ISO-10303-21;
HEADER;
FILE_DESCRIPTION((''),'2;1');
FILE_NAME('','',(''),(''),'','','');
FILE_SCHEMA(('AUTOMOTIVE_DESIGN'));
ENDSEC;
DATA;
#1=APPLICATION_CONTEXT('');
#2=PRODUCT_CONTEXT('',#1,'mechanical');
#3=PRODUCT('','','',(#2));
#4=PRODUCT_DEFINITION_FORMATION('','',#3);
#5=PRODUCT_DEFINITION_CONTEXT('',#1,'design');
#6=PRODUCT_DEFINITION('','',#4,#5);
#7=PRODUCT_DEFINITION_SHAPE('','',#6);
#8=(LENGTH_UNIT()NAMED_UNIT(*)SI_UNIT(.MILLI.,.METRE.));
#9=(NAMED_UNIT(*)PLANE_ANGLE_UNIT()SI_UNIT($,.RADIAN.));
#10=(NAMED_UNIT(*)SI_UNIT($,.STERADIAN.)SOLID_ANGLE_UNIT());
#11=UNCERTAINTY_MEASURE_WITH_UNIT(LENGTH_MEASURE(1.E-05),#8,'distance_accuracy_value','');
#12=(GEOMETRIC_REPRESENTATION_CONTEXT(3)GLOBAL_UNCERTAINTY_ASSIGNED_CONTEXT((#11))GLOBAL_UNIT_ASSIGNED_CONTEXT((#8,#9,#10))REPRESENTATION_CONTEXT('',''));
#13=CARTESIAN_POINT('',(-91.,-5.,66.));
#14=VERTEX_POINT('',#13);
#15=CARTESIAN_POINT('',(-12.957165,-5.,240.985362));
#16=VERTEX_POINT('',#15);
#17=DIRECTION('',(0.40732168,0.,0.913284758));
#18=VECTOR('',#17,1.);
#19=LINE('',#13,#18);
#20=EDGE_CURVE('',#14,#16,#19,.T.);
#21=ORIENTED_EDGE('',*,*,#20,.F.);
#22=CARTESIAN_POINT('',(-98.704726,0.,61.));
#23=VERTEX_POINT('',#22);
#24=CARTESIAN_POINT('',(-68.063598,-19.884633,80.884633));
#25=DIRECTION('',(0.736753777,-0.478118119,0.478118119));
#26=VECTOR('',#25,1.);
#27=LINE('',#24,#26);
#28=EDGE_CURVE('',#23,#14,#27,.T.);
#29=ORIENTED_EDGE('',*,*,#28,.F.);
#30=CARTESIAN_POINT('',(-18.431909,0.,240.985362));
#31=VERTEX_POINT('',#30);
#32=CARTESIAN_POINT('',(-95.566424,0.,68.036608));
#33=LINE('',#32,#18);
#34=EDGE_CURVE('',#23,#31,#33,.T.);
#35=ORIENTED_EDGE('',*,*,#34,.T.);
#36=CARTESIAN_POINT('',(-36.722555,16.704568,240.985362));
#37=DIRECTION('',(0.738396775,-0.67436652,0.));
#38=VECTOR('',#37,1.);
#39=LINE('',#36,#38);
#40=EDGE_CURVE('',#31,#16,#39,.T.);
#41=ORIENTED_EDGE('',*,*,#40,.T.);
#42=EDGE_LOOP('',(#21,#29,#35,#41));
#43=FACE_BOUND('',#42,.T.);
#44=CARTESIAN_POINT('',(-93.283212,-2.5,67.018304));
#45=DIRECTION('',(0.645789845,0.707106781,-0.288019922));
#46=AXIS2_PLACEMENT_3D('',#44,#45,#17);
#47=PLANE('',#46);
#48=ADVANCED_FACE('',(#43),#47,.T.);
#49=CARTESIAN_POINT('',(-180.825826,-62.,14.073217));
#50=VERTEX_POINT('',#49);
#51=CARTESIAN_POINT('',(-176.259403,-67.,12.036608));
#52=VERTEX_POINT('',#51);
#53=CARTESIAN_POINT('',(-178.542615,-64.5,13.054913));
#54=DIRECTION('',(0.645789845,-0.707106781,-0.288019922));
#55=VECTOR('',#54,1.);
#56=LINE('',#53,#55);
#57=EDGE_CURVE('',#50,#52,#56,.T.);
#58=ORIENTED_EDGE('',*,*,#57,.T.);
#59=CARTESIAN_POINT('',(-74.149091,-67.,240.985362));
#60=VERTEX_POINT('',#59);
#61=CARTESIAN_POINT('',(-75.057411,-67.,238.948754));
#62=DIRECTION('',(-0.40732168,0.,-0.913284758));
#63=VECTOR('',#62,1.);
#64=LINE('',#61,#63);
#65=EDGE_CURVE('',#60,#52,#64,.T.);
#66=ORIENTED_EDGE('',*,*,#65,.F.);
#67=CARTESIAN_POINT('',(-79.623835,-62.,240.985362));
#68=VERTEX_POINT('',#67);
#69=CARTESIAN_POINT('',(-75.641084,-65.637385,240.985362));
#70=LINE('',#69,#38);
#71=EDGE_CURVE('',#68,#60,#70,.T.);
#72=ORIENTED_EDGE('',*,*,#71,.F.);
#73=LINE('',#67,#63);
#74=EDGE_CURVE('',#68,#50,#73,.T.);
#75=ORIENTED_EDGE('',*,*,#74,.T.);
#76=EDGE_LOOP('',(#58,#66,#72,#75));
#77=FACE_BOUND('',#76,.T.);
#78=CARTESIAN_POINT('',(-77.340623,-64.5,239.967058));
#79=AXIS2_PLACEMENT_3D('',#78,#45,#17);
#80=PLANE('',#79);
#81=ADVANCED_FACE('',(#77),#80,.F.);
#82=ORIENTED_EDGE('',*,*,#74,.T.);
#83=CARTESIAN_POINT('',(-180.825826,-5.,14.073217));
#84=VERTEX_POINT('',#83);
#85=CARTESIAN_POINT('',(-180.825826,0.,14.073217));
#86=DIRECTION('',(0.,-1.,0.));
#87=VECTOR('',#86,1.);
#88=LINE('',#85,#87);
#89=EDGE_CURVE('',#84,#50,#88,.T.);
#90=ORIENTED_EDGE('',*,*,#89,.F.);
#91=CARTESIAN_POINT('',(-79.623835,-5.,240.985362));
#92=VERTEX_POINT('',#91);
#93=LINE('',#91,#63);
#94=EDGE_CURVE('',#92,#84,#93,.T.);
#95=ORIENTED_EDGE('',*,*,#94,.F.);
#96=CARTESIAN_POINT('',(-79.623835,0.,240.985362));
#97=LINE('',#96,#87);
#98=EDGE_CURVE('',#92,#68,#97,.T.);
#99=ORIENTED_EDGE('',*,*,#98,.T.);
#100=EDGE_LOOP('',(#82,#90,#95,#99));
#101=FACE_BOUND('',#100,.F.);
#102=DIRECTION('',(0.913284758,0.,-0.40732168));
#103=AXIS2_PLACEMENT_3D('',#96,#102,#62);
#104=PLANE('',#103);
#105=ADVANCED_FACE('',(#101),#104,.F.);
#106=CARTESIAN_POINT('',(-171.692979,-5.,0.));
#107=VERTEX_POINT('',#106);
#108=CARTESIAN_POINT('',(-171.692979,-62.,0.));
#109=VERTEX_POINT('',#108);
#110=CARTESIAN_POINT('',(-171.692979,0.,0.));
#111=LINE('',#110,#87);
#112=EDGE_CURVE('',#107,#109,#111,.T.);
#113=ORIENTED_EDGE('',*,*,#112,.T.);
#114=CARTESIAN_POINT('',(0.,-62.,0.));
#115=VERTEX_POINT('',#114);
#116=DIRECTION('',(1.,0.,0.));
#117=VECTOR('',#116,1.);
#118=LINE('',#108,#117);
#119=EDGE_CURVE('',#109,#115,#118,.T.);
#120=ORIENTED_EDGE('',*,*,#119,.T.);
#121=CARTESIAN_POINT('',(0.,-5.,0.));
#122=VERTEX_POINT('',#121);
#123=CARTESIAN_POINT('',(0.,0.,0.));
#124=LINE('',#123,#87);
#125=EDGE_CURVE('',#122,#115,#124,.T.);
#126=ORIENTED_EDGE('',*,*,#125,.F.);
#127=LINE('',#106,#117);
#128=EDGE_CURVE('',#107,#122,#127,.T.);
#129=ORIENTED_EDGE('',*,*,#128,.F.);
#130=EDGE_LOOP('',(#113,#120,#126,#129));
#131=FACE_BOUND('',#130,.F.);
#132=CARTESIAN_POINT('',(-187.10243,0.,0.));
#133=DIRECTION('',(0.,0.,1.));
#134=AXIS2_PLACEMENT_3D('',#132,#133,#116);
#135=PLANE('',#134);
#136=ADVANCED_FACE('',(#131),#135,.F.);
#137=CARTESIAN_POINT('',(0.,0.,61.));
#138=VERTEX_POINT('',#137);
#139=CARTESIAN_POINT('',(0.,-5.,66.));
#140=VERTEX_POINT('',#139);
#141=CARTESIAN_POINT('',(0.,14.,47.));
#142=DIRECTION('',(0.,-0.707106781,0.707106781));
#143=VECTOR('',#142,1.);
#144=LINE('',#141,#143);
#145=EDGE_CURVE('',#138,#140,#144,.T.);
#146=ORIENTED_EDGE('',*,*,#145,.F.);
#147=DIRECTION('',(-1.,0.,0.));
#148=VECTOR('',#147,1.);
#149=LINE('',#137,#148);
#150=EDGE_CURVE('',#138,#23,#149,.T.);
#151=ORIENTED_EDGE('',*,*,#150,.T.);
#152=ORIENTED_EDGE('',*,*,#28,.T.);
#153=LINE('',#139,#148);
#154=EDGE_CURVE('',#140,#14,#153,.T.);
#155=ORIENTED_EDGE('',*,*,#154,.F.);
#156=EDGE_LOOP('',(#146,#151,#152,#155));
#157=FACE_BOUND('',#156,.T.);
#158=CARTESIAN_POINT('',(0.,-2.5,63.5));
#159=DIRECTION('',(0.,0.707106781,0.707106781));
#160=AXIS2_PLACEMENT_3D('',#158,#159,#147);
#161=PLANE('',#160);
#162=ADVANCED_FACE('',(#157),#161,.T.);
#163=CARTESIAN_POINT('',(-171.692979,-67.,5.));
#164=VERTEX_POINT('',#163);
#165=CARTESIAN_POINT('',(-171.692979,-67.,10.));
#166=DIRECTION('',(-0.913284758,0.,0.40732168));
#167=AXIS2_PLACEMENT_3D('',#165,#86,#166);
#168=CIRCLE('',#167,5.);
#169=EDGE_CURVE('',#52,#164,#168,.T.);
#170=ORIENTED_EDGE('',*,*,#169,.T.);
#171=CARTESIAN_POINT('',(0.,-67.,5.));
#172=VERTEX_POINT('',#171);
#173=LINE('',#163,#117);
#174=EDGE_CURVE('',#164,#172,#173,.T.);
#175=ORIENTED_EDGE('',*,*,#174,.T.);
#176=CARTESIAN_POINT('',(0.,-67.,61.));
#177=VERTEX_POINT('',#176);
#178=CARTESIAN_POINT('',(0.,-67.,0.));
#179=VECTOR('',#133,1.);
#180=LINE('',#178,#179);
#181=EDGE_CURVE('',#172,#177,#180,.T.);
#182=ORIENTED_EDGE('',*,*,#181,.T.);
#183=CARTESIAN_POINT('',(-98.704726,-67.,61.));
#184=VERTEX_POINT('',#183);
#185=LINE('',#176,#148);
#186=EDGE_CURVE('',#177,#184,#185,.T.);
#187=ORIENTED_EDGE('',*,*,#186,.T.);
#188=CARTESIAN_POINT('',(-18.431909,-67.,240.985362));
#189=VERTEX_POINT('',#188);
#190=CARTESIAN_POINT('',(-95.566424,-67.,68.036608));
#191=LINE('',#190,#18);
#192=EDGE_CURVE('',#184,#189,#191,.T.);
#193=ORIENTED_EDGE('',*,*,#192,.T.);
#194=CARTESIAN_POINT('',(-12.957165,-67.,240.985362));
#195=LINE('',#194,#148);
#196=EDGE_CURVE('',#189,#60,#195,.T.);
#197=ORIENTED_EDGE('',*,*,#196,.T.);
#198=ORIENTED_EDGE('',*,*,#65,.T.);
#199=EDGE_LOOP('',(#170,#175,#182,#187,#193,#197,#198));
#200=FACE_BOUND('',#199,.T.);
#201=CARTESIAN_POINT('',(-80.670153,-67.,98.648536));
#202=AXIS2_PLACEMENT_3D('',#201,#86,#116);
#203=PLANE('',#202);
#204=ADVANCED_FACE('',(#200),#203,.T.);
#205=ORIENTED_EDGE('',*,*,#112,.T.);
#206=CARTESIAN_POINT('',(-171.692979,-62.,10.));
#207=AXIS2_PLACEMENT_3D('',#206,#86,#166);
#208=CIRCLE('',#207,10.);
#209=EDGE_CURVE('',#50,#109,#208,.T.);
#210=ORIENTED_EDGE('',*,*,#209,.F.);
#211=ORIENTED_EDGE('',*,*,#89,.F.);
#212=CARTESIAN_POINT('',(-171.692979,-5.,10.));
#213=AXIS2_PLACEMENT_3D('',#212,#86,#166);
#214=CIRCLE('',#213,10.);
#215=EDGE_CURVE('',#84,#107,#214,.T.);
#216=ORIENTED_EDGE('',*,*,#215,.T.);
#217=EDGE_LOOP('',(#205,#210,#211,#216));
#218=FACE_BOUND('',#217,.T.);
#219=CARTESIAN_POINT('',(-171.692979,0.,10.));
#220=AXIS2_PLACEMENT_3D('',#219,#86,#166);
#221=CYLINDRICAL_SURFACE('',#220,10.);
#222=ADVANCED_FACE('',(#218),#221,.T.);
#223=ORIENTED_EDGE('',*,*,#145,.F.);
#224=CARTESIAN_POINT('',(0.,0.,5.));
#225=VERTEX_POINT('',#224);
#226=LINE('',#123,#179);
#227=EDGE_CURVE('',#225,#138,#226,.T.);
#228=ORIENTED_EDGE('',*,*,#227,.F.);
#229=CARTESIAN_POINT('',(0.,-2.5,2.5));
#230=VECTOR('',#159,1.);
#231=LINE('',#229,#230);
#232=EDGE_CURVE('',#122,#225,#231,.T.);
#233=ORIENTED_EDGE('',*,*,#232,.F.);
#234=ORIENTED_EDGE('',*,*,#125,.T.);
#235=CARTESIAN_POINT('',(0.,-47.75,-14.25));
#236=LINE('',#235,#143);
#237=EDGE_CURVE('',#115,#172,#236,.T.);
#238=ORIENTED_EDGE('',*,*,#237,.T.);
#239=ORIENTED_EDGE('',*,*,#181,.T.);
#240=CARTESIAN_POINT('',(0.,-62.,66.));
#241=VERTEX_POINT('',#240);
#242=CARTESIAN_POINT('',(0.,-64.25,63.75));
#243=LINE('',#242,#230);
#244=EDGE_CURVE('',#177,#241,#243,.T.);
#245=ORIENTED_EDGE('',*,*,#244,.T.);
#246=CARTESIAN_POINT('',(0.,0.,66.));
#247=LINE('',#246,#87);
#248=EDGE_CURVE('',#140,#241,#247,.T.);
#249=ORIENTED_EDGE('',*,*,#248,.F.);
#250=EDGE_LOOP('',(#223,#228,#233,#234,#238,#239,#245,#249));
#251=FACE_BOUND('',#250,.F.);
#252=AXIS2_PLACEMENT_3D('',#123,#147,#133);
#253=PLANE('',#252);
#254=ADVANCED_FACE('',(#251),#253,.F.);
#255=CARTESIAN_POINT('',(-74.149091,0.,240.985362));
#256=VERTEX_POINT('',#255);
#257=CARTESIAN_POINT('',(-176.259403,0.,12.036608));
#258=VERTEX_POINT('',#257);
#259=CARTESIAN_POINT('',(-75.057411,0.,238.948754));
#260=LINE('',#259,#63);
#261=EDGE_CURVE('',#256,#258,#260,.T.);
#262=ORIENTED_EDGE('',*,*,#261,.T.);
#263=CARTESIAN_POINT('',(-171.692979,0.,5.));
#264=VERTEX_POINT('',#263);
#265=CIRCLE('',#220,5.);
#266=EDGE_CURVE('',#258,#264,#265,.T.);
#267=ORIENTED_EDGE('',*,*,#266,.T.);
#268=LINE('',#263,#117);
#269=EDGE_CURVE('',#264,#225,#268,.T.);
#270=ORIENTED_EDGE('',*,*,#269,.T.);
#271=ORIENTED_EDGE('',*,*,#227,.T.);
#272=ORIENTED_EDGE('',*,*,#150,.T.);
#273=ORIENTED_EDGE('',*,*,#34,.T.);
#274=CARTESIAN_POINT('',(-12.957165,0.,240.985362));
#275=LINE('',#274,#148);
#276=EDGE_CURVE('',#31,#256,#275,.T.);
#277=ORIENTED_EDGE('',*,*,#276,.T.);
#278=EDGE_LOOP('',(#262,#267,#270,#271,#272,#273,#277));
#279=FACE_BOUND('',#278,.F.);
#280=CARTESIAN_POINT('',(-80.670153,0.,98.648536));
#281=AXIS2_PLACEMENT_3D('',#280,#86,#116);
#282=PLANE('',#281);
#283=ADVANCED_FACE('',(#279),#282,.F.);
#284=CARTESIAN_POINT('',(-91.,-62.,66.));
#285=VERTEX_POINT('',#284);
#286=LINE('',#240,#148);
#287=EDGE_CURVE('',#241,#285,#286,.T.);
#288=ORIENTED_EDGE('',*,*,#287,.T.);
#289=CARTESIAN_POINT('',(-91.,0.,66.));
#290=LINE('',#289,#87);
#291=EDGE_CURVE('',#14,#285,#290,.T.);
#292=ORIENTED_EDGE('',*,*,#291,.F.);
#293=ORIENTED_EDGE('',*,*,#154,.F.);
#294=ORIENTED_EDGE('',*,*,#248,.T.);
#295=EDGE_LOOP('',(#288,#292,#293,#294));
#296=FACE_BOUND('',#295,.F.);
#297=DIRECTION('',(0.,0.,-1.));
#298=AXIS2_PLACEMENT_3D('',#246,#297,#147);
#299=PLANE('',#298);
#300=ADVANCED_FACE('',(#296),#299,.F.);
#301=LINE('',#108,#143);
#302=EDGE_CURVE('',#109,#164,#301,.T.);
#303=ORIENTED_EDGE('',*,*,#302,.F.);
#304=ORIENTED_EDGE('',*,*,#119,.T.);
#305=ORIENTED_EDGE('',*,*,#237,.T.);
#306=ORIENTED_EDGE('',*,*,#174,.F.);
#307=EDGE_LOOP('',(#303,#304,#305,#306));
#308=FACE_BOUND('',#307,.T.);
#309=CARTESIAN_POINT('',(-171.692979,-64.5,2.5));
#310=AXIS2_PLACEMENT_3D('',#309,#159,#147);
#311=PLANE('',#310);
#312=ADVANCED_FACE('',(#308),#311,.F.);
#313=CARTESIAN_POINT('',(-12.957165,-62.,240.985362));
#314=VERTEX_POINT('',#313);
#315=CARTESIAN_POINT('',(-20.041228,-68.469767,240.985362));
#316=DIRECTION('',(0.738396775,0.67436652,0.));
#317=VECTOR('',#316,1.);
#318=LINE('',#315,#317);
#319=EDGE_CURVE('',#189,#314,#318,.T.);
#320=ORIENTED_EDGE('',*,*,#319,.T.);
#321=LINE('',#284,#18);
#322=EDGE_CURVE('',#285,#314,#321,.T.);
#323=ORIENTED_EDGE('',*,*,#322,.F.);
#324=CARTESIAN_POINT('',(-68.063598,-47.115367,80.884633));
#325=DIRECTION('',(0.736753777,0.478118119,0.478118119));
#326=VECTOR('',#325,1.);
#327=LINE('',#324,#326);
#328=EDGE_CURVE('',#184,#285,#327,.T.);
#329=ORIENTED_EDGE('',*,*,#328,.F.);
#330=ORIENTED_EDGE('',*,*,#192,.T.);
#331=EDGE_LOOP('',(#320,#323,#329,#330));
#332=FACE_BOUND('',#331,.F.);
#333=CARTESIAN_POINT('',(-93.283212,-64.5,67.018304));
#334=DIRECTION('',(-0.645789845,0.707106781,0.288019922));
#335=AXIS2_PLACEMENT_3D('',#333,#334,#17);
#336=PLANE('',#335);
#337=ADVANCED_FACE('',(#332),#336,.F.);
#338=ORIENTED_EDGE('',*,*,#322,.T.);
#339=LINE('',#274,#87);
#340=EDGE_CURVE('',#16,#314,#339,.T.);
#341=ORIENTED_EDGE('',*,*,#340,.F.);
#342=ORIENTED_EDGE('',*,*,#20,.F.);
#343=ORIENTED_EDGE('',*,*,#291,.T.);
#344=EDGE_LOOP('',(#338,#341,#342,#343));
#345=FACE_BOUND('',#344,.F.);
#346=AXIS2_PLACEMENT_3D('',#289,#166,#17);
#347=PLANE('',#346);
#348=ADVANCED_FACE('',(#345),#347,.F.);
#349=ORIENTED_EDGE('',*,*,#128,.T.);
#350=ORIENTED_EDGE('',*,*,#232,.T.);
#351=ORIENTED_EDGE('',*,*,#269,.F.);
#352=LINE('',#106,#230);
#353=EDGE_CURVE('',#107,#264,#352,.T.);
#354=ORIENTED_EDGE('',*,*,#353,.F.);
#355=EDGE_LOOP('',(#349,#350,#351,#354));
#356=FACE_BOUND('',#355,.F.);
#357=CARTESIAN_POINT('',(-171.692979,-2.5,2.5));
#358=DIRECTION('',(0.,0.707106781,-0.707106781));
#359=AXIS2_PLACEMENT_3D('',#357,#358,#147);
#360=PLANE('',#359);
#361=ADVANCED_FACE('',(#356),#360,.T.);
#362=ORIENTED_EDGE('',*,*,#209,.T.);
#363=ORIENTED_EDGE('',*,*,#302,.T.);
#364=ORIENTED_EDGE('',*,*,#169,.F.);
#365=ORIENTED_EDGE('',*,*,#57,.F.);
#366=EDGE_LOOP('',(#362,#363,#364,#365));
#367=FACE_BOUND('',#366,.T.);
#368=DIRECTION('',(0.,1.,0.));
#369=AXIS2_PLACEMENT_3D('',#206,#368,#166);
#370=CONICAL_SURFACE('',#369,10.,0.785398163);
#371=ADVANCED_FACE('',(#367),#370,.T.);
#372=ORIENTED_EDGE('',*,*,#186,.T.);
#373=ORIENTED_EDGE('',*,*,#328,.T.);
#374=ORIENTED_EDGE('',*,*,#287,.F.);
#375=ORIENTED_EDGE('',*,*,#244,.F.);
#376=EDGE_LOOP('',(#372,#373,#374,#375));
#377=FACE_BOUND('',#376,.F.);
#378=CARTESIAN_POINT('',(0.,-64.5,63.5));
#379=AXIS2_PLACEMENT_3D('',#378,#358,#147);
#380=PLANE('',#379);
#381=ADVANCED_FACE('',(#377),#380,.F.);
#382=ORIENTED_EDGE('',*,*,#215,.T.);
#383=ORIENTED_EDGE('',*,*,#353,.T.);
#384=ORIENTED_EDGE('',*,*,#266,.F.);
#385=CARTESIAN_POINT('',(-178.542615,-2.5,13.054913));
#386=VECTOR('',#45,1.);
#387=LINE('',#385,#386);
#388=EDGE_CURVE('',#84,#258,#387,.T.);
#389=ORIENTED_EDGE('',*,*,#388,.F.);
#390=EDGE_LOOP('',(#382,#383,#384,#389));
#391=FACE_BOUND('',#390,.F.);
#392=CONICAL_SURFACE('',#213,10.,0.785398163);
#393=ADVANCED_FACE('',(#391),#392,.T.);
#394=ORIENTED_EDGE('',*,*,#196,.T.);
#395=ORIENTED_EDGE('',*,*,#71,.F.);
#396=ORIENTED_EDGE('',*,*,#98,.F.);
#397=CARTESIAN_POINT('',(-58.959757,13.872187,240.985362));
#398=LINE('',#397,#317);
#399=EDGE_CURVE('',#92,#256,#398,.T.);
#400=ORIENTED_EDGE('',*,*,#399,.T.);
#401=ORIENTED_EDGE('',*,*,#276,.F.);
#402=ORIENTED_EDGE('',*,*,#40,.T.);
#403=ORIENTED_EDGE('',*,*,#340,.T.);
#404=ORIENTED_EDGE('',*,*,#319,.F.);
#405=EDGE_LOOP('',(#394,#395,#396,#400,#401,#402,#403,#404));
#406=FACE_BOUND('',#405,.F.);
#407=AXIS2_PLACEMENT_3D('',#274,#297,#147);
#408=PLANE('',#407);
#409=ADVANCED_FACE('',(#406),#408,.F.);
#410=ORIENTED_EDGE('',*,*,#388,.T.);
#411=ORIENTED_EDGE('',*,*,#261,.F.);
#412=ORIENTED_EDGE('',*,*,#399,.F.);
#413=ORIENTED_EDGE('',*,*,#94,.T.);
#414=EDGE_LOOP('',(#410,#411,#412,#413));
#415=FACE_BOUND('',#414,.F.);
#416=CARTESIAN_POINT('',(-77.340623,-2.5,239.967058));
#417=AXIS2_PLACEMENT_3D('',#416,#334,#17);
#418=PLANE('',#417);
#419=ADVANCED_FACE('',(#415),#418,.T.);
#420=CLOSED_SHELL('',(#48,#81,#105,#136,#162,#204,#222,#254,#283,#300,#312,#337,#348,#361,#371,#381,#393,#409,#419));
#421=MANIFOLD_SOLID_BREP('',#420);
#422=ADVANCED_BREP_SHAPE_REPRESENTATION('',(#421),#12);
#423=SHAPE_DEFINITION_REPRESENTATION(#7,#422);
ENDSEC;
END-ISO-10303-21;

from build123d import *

# Parameters (mm, degrees)
F1_DEPTH = 67
F2_R     = 10
F3_SIZE  = 5


with BuildPart() as f1:
    # F0 (on Front) → F1 (new body)
    with BuildSketch(Plane.XZ):
        Polygon((0, 0), (0, 66), (-91, 66), (-12.957165, 240.985362), (-79.623835, 240.985362), (-187.10243, 0), align=None)
    extrude(amount=F1_DEPTH)

    # F2
    f2_edges = [f1.edges().sort_by_distance(p)[0] for p in [
        (-187.10243, -33.5, 0),
    ]]
    fillet(f2_edges, radius=F2_R)

    # F3
    f3_edges = [f1.edges().sort_by_distance(p)[0] for p in [
        (-51.978583, -67, 153.492681),
        (-51.978583, 0, 153.492681),
        (-130.224831, 0, 127.52929),
        (-130.224831, -67, 127.52929),
        (-45.5, 0, 66),
        (-45.5, -67, 66),
    ]]
    chamfer(f3_edges, length=F3_SIZE)


solid = f1.part
